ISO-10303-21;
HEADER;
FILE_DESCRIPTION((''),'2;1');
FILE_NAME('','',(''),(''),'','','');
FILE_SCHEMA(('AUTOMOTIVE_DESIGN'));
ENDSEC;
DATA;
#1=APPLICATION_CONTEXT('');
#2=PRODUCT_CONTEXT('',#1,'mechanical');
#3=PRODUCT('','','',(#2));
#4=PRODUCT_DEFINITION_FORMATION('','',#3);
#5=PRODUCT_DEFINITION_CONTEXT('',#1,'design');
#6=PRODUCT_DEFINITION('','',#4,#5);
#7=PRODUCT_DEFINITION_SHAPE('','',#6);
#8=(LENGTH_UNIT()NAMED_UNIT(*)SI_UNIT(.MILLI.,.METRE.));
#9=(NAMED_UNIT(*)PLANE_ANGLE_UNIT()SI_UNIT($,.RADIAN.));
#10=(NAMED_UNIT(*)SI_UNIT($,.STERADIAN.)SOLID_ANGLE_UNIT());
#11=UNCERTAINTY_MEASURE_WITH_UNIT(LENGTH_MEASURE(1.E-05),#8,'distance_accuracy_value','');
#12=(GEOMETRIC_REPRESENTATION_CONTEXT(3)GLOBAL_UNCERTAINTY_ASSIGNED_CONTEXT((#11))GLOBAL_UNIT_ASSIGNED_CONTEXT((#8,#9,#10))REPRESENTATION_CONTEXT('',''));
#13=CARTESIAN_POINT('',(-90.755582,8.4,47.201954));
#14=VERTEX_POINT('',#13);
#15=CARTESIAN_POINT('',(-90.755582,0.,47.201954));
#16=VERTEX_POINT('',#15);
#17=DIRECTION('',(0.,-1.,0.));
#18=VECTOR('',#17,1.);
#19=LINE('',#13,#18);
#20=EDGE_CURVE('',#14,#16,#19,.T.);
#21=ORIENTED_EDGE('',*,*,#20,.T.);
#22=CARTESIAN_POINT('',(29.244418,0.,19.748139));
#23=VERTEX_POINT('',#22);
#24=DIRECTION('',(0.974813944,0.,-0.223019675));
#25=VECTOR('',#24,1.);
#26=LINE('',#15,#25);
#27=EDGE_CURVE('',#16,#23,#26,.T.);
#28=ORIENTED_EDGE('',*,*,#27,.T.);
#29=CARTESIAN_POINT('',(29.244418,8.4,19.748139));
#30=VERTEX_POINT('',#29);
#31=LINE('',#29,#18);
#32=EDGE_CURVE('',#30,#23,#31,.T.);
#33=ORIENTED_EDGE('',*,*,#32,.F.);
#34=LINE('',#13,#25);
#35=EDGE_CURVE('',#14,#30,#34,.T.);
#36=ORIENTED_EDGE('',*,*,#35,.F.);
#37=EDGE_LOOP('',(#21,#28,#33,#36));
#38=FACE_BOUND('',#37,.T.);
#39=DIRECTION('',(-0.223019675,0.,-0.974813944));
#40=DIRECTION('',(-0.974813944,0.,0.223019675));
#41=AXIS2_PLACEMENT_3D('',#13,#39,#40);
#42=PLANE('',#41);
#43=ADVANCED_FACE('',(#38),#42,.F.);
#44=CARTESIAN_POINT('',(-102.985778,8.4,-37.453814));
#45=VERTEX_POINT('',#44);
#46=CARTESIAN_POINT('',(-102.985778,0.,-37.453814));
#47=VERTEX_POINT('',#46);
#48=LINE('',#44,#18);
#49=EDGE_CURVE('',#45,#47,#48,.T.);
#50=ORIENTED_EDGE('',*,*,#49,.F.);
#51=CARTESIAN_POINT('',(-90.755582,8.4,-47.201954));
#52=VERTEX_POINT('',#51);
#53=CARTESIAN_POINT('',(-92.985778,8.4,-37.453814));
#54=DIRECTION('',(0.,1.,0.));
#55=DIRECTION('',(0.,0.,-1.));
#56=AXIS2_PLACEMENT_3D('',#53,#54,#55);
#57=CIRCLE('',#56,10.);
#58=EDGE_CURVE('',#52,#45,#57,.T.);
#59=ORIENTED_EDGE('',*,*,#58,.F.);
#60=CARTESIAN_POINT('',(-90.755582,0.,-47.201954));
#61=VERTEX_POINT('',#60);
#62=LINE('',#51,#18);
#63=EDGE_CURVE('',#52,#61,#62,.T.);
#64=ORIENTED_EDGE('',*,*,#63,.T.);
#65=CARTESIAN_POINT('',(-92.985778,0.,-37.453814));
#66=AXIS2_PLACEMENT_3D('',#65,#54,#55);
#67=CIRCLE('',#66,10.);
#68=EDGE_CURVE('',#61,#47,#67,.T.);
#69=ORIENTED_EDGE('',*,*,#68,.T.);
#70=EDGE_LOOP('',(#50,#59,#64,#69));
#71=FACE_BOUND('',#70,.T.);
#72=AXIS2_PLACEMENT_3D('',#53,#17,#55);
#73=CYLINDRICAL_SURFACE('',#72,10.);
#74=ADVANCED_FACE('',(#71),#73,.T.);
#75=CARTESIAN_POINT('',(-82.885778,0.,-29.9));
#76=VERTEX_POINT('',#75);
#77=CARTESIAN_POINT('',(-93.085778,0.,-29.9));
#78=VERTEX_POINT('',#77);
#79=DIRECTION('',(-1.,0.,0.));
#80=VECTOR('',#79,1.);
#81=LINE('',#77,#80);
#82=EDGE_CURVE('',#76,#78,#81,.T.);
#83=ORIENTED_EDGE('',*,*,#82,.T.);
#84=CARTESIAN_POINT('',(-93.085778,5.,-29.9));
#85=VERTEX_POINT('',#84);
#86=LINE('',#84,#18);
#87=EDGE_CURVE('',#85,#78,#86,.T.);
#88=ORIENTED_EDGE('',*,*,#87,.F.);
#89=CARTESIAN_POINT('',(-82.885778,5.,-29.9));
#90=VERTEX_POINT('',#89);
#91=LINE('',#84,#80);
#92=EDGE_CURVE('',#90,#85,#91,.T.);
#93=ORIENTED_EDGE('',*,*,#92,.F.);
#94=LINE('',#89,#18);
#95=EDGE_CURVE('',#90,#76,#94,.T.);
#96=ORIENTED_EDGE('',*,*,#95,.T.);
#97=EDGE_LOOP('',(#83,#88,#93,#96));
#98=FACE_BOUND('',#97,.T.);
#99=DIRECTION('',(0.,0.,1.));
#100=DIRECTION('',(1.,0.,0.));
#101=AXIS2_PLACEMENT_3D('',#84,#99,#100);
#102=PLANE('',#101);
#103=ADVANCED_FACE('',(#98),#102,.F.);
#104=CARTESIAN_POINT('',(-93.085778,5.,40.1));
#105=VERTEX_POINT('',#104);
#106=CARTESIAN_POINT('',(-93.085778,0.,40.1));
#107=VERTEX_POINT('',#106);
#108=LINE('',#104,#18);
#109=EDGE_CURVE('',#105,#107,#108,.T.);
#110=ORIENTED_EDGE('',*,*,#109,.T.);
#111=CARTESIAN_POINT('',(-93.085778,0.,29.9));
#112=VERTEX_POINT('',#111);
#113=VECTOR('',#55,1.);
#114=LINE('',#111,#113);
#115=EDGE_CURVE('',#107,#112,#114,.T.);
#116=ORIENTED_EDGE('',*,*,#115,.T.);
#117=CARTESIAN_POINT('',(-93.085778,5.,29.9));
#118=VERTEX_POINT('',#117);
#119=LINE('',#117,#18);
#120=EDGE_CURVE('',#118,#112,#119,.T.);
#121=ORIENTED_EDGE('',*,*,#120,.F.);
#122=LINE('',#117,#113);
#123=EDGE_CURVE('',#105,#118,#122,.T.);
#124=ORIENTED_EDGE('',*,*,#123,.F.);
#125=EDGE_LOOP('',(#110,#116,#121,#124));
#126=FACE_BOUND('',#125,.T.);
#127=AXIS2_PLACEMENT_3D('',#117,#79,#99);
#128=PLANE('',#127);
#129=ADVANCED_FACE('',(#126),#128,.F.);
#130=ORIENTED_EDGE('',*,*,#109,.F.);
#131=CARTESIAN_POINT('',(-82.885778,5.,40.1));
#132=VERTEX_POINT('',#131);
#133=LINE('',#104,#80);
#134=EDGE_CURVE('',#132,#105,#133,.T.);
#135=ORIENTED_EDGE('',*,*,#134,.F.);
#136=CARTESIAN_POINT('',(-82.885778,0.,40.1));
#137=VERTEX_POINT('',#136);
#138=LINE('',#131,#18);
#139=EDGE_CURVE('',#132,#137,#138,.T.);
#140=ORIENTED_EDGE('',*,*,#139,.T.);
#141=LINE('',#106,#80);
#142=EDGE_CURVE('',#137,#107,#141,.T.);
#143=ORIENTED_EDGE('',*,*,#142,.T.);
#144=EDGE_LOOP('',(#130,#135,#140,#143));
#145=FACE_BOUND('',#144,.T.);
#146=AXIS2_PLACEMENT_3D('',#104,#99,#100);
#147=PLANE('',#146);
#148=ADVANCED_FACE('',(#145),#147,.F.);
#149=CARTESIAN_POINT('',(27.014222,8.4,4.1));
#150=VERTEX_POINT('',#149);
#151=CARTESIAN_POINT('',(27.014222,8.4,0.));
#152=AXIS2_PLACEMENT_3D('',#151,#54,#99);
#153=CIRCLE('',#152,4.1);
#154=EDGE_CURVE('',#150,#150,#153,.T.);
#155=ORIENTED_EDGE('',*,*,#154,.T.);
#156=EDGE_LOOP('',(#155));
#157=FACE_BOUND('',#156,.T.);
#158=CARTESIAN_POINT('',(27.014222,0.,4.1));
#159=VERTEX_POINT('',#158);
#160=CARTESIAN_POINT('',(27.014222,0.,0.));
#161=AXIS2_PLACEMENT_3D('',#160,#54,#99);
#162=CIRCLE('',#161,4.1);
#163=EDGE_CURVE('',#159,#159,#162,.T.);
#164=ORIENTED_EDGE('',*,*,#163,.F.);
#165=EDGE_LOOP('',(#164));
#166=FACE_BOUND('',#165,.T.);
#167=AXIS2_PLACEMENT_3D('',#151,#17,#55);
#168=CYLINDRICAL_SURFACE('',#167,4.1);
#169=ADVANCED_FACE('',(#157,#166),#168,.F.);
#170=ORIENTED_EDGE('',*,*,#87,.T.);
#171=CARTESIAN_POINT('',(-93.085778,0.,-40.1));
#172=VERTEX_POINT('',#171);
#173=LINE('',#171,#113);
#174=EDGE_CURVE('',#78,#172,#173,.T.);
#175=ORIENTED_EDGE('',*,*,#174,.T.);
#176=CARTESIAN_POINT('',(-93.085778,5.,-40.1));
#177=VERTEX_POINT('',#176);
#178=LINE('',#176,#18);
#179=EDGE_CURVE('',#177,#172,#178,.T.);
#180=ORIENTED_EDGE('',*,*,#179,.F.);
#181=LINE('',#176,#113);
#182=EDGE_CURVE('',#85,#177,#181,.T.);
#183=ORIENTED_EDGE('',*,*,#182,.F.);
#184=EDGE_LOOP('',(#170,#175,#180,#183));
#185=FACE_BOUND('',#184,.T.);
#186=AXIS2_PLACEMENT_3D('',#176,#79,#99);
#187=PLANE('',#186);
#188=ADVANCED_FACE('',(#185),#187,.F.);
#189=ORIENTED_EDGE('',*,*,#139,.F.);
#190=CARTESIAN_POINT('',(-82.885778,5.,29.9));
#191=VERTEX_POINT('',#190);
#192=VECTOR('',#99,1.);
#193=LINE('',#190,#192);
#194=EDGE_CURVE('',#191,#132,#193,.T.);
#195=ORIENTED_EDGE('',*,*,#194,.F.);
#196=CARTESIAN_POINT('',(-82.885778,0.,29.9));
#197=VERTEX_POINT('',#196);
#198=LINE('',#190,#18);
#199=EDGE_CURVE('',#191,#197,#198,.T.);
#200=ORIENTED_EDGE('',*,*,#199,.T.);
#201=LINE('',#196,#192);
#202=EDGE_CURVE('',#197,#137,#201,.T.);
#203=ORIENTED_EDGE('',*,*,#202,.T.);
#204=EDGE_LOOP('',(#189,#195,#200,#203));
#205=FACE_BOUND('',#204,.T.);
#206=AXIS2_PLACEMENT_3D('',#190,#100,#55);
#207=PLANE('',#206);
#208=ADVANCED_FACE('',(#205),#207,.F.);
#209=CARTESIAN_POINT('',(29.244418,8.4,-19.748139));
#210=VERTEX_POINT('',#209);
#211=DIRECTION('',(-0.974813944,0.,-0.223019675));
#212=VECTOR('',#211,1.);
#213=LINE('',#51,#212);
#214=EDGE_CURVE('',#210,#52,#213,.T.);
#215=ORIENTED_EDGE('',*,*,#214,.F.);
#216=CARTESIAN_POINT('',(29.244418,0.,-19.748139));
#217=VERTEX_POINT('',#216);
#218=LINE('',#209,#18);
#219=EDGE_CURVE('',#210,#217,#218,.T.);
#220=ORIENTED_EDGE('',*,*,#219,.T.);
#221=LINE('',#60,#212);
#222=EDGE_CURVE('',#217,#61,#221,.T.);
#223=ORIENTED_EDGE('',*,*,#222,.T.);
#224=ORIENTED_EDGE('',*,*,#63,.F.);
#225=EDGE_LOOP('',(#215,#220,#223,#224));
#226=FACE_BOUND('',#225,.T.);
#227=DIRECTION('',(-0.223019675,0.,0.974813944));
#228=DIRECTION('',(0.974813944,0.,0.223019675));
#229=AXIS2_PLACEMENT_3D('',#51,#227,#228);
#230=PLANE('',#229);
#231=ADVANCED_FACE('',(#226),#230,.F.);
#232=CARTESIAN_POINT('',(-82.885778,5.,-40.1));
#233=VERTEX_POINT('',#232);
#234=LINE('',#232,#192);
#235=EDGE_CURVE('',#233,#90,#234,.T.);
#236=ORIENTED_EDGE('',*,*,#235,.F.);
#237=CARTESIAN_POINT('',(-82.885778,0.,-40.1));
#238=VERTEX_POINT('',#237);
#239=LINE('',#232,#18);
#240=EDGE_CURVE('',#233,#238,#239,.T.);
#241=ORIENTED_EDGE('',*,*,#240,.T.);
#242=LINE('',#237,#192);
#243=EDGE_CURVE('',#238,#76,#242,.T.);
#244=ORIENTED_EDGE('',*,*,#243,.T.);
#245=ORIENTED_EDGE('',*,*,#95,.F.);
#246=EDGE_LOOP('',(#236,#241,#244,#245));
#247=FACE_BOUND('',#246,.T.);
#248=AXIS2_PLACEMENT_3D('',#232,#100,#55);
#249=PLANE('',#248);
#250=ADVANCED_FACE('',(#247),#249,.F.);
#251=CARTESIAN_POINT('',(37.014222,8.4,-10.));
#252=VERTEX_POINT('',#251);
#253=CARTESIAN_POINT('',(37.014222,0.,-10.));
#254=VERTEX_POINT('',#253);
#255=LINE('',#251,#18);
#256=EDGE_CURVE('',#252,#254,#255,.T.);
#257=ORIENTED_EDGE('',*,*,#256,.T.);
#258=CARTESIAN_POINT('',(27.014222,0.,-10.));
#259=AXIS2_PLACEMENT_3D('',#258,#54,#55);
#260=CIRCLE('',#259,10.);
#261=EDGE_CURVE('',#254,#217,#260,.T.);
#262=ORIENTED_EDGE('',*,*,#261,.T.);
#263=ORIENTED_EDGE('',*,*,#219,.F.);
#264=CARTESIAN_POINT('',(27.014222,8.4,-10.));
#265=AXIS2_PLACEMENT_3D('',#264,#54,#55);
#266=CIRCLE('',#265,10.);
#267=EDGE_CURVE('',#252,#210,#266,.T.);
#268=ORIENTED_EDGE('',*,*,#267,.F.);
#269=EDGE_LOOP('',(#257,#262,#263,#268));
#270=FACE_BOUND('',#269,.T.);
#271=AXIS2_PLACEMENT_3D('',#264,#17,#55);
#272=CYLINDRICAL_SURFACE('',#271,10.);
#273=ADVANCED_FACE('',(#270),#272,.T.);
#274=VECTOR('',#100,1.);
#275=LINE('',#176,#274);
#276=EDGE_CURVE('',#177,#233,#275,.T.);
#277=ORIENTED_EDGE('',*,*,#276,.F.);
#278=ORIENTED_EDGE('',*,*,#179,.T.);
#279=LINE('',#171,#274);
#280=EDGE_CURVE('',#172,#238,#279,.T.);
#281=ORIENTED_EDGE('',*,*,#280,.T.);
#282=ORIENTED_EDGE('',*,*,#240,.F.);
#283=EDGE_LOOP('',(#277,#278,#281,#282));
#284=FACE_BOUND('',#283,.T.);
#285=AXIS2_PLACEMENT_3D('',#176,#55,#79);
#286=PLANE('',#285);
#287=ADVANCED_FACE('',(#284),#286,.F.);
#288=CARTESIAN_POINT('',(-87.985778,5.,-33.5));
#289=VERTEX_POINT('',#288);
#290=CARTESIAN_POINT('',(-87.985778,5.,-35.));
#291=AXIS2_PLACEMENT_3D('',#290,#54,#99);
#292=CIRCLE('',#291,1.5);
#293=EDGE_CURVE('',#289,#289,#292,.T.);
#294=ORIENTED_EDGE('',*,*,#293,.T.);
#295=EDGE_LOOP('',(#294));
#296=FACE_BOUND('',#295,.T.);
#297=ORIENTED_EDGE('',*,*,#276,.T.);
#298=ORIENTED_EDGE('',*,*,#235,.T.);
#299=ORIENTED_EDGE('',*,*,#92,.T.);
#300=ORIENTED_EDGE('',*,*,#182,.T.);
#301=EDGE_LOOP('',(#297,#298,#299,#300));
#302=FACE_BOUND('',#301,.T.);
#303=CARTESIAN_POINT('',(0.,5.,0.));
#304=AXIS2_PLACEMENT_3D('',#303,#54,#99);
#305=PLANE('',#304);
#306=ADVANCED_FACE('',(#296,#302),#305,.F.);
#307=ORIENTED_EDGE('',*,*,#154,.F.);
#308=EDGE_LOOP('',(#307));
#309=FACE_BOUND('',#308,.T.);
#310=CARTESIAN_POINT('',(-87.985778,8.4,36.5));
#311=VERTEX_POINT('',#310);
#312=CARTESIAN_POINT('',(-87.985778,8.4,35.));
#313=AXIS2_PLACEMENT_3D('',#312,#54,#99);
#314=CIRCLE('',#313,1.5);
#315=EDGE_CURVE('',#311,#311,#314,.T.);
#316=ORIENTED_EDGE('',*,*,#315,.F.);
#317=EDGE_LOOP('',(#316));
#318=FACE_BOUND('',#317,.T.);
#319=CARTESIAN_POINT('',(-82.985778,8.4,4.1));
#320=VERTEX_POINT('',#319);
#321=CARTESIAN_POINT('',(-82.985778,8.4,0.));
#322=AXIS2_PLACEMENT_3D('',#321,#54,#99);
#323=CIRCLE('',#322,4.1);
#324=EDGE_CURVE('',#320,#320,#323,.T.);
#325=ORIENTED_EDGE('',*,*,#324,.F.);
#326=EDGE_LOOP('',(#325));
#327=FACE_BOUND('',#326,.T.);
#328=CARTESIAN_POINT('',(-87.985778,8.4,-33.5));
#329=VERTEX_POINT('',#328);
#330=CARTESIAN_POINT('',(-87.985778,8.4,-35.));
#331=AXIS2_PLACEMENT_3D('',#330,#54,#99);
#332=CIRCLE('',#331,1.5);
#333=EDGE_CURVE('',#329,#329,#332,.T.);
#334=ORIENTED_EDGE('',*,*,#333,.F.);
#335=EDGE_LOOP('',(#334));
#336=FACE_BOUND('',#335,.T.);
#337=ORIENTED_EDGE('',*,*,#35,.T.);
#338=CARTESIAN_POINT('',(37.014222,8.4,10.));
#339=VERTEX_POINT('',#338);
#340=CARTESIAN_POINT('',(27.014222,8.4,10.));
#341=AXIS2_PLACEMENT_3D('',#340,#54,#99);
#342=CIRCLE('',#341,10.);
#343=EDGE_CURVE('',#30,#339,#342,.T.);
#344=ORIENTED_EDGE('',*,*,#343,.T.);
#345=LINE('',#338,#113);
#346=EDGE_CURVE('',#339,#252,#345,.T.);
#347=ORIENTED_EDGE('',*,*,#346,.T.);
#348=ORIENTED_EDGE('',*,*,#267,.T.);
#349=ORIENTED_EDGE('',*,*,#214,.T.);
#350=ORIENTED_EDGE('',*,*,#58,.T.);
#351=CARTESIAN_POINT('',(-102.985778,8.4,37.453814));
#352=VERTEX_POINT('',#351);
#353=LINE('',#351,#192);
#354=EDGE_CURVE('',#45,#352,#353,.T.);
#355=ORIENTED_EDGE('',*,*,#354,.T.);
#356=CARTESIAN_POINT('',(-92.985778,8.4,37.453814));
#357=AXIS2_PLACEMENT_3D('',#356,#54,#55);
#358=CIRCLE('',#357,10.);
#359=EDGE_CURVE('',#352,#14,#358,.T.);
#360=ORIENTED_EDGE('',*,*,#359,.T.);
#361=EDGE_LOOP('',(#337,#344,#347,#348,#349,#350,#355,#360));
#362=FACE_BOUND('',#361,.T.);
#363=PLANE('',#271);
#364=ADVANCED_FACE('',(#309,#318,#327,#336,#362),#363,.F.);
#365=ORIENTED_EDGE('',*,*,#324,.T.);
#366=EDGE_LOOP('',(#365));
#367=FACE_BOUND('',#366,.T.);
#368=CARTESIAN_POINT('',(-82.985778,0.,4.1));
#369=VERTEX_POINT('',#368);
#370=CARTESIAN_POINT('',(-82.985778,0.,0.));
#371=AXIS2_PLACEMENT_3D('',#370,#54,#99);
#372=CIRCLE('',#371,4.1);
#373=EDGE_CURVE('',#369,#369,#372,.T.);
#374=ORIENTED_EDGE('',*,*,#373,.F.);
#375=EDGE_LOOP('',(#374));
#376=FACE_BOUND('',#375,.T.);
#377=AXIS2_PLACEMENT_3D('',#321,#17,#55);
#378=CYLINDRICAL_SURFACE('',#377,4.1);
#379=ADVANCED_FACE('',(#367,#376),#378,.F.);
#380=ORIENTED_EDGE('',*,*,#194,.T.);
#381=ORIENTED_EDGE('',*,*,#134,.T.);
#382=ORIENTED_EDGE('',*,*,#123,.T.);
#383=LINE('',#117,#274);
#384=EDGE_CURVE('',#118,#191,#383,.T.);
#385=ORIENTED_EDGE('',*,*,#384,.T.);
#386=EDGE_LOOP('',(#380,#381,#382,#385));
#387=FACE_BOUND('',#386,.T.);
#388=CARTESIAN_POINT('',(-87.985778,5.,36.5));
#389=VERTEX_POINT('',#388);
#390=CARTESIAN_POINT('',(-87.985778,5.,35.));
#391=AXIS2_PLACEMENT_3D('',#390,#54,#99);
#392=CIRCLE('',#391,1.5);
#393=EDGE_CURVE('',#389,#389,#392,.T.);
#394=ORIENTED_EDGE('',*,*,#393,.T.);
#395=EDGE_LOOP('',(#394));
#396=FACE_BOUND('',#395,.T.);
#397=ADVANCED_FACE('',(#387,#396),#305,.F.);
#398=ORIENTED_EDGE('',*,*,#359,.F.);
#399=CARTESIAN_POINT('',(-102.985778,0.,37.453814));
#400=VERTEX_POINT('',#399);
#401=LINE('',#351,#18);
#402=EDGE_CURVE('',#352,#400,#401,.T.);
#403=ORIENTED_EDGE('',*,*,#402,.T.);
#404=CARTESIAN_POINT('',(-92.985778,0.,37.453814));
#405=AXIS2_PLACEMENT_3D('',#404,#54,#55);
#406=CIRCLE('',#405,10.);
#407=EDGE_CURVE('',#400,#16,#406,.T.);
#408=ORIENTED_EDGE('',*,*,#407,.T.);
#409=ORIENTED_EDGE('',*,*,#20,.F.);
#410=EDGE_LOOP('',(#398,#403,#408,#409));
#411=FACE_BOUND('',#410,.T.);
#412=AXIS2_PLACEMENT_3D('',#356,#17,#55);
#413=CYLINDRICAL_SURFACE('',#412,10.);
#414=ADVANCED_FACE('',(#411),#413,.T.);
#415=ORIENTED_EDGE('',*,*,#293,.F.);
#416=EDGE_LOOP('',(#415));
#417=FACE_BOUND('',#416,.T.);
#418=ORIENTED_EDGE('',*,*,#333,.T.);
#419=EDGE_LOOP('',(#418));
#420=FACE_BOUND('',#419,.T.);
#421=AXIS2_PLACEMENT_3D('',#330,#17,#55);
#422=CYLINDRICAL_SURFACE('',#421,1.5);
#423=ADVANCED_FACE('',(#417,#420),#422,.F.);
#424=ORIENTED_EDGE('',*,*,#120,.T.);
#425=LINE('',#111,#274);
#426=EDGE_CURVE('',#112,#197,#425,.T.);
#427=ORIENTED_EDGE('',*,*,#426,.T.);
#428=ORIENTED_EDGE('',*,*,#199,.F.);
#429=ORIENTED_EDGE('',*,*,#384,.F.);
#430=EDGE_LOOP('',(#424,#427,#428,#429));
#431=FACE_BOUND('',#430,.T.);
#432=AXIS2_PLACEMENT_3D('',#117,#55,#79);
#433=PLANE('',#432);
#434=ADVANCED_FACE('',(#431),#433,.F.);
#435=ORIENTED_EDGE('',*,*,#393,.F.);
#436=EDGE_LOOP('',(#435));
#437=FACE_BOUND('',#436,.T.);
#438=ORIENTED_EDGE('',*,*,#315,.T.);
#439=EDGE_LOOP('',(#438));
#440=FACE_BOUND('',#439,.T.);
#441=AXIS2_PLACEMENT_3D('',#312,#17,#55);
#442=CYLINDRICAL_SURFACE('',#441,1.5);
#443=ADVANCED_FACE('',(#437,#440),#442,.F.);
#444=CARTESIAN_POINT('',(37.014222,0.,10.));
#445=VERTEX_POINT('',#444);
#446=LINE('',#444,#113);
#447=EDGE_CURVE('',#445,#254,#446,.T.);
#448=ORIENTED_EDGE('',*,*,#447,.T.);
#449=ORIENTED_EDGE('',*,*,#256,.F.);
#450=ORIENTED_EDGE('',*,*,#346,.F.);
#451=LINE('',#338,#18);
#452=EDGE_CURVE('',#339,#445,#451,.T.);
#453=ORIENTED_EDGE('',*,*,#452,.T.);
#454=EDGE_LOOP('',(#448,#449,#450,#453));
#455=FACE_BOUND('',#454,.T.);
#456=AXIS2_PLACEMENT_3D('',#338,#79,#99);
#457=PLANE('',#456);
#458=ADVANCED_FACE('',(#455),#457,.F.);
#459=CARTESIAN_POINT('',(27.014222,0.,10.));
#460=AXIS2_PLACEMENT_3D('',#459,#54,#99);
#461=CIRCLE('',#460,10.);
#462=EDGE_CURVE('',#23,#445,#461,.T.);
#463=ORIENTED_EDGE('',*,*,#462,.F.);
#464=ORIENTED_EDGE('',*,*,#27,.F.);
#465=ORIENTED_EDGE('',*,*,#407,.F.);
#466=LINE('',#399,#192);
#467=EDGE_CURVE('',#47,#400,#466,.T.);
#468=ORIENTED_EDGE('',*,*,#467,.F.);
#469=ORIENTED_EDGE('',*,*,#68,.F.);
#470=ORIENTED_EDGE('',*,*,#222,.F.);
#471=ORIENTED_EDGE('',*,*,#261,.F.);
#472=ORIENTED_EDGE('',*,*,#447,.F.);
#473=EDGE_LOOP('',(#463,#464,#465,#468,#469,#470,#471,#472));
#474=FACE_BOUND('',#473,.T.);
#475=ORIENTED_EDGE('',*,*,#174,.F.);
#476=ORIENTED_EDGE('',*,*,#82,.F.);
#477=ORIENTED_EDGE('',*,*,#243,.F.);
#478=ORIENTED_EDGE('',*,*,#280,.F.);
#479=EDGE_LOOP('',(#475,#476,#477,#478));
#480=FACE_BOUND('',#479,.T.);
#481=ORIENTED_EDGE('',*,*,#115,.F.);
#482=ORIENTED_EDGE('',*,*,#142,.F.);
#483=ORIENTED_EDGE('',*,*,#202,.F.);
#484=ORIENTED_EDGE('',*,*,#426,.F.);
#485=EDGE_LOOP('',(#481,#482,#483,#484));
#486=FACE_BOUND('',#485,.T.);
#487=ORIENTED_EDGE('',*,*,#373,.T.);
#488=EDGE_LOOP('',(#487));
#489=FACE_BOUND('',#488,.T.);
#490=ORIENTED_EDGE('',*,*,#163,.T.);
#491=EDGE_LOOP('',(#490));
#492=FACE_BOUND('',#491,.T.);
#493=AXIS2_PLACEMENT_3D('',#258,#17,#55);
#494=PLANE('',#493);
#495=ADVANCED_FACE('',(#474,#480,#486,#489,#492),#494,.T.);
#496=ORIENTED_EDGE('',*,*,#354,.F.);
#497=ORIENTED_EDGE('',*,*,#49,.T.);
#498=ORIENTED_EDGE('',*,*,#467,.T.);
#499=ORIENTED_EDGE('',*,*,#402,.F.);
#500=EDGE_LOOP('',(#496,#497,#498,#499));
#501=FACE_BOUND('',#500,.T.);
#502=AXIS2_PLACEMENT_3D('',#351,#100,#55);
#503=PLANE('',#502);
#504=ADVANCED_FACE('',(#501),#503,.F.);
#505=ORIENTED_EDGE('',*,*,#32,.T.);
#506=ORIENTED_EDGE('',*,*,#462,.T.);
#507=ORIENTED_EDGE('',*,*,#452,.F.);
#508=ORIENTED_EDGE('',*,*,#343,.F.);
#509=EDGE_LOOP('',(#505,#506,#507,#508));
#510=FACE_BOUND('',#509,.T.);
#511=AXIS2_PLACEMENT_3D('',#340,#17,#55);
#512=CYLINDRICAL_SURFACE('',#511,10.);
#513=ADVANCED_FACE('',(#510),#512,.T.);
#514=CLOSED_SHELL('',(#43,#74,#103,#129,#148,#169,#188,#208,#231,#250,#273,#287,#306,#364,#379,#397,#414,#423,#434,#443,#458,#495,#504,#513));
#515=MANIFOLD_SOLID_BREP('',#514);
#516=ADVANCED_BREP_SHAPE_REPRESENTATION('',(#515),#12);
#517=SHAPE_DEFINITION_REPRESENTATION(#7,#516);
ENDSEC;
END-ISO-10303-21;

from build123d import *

# Parameters (mm, degrees)
SKETCH_1_R          = 4.1
SKETCH_1_R_2        = 1.5
EXTRUDE_1_DEPTH     = 8.4
SKETCH_2_W          = 10.2
SKETCH_2_H          = 10.2
CUT_EXTRUDE_1_DEPTH = 5


with BuildPart() as part:
    # ｽｹｯﾁ1 → ﾎﾞｽ - 押し出し1 (new body)
    with BuildSketch(Plane(origin=(0, 0, 0), x_dir=(1, 0, 0), z_dir=(0, 1, 0))):
        with BuildLine():
            Line((-90.755581693, -47.201953746), (29.244418307, -19.748139436))
            ThreePointArc((29.244418307, -19.748139436), (34.834131004, -16.232897902), (37.014221558, -10))
            Line((37.014221558, -10), (37.014221558, 10))
            ThreePointArc((37.014221558, 10), (34.834131004, 16.232897902), (29.244418307, 19.748139436))
            Line((29.244418307, 19.748139436), (-90.755581693, 47.201953746))
            ThreePointArc((-90.755581693, 47.201953746), (-99.218676344, 45.273723756), (-102.985778442, 37.45381431))
            Line((-102.985778442, 37.45381431), (-102.985778442, -37.45381431))
            ThreePointArc((-102.985778442, -37.45381431), (-99.218676344, -45.273723756), (-90.755581693, -47.201953746))
        make_face()
        with Locations(Location((-82.985778442, 0, 0), (0, 0, 270))):
            Circle(SKETCH_1_R, mode=Mode.SUBTRACT)
        with Locations(Location((27.014221558, 0, 0), (0, 0, 270))):
            Circle(SKETCH_1_R, mode=Mode.SUBTRACT)
        with Locations(Location((-87.985778442, 35, 0), (0, 0, 270))):
            Circle(SKETCH_1_R_2, mode=Mode.SUBTRACT)
        with Locations(Location((-87.985778442, -35, 0), (0, 0, 270))):
            Circle(SKETCH_1_R_2, mode=Mode.SUBTRACT)
    extrude(amount=EXTRUDE_1_DEPTH)

    # ｽｹｯﾁ2 → ｶｯﾄ - 押し出し1 (cut)
    with BuildSketch(Plane.XZ):
        with Locations((-87.985778442, 35)):
            Rectangle(SKETCH_2_W, SKETCH_2_H)
        with Locations((-87.985778442, -35)):
            Rectangle(SKETCH_2_W, SKETCH_2_H)
    extrude(amount=-CUT_EXTRUDE_1_DEPTH, mode=Mode.SUBTRACT)


solid = part.part
